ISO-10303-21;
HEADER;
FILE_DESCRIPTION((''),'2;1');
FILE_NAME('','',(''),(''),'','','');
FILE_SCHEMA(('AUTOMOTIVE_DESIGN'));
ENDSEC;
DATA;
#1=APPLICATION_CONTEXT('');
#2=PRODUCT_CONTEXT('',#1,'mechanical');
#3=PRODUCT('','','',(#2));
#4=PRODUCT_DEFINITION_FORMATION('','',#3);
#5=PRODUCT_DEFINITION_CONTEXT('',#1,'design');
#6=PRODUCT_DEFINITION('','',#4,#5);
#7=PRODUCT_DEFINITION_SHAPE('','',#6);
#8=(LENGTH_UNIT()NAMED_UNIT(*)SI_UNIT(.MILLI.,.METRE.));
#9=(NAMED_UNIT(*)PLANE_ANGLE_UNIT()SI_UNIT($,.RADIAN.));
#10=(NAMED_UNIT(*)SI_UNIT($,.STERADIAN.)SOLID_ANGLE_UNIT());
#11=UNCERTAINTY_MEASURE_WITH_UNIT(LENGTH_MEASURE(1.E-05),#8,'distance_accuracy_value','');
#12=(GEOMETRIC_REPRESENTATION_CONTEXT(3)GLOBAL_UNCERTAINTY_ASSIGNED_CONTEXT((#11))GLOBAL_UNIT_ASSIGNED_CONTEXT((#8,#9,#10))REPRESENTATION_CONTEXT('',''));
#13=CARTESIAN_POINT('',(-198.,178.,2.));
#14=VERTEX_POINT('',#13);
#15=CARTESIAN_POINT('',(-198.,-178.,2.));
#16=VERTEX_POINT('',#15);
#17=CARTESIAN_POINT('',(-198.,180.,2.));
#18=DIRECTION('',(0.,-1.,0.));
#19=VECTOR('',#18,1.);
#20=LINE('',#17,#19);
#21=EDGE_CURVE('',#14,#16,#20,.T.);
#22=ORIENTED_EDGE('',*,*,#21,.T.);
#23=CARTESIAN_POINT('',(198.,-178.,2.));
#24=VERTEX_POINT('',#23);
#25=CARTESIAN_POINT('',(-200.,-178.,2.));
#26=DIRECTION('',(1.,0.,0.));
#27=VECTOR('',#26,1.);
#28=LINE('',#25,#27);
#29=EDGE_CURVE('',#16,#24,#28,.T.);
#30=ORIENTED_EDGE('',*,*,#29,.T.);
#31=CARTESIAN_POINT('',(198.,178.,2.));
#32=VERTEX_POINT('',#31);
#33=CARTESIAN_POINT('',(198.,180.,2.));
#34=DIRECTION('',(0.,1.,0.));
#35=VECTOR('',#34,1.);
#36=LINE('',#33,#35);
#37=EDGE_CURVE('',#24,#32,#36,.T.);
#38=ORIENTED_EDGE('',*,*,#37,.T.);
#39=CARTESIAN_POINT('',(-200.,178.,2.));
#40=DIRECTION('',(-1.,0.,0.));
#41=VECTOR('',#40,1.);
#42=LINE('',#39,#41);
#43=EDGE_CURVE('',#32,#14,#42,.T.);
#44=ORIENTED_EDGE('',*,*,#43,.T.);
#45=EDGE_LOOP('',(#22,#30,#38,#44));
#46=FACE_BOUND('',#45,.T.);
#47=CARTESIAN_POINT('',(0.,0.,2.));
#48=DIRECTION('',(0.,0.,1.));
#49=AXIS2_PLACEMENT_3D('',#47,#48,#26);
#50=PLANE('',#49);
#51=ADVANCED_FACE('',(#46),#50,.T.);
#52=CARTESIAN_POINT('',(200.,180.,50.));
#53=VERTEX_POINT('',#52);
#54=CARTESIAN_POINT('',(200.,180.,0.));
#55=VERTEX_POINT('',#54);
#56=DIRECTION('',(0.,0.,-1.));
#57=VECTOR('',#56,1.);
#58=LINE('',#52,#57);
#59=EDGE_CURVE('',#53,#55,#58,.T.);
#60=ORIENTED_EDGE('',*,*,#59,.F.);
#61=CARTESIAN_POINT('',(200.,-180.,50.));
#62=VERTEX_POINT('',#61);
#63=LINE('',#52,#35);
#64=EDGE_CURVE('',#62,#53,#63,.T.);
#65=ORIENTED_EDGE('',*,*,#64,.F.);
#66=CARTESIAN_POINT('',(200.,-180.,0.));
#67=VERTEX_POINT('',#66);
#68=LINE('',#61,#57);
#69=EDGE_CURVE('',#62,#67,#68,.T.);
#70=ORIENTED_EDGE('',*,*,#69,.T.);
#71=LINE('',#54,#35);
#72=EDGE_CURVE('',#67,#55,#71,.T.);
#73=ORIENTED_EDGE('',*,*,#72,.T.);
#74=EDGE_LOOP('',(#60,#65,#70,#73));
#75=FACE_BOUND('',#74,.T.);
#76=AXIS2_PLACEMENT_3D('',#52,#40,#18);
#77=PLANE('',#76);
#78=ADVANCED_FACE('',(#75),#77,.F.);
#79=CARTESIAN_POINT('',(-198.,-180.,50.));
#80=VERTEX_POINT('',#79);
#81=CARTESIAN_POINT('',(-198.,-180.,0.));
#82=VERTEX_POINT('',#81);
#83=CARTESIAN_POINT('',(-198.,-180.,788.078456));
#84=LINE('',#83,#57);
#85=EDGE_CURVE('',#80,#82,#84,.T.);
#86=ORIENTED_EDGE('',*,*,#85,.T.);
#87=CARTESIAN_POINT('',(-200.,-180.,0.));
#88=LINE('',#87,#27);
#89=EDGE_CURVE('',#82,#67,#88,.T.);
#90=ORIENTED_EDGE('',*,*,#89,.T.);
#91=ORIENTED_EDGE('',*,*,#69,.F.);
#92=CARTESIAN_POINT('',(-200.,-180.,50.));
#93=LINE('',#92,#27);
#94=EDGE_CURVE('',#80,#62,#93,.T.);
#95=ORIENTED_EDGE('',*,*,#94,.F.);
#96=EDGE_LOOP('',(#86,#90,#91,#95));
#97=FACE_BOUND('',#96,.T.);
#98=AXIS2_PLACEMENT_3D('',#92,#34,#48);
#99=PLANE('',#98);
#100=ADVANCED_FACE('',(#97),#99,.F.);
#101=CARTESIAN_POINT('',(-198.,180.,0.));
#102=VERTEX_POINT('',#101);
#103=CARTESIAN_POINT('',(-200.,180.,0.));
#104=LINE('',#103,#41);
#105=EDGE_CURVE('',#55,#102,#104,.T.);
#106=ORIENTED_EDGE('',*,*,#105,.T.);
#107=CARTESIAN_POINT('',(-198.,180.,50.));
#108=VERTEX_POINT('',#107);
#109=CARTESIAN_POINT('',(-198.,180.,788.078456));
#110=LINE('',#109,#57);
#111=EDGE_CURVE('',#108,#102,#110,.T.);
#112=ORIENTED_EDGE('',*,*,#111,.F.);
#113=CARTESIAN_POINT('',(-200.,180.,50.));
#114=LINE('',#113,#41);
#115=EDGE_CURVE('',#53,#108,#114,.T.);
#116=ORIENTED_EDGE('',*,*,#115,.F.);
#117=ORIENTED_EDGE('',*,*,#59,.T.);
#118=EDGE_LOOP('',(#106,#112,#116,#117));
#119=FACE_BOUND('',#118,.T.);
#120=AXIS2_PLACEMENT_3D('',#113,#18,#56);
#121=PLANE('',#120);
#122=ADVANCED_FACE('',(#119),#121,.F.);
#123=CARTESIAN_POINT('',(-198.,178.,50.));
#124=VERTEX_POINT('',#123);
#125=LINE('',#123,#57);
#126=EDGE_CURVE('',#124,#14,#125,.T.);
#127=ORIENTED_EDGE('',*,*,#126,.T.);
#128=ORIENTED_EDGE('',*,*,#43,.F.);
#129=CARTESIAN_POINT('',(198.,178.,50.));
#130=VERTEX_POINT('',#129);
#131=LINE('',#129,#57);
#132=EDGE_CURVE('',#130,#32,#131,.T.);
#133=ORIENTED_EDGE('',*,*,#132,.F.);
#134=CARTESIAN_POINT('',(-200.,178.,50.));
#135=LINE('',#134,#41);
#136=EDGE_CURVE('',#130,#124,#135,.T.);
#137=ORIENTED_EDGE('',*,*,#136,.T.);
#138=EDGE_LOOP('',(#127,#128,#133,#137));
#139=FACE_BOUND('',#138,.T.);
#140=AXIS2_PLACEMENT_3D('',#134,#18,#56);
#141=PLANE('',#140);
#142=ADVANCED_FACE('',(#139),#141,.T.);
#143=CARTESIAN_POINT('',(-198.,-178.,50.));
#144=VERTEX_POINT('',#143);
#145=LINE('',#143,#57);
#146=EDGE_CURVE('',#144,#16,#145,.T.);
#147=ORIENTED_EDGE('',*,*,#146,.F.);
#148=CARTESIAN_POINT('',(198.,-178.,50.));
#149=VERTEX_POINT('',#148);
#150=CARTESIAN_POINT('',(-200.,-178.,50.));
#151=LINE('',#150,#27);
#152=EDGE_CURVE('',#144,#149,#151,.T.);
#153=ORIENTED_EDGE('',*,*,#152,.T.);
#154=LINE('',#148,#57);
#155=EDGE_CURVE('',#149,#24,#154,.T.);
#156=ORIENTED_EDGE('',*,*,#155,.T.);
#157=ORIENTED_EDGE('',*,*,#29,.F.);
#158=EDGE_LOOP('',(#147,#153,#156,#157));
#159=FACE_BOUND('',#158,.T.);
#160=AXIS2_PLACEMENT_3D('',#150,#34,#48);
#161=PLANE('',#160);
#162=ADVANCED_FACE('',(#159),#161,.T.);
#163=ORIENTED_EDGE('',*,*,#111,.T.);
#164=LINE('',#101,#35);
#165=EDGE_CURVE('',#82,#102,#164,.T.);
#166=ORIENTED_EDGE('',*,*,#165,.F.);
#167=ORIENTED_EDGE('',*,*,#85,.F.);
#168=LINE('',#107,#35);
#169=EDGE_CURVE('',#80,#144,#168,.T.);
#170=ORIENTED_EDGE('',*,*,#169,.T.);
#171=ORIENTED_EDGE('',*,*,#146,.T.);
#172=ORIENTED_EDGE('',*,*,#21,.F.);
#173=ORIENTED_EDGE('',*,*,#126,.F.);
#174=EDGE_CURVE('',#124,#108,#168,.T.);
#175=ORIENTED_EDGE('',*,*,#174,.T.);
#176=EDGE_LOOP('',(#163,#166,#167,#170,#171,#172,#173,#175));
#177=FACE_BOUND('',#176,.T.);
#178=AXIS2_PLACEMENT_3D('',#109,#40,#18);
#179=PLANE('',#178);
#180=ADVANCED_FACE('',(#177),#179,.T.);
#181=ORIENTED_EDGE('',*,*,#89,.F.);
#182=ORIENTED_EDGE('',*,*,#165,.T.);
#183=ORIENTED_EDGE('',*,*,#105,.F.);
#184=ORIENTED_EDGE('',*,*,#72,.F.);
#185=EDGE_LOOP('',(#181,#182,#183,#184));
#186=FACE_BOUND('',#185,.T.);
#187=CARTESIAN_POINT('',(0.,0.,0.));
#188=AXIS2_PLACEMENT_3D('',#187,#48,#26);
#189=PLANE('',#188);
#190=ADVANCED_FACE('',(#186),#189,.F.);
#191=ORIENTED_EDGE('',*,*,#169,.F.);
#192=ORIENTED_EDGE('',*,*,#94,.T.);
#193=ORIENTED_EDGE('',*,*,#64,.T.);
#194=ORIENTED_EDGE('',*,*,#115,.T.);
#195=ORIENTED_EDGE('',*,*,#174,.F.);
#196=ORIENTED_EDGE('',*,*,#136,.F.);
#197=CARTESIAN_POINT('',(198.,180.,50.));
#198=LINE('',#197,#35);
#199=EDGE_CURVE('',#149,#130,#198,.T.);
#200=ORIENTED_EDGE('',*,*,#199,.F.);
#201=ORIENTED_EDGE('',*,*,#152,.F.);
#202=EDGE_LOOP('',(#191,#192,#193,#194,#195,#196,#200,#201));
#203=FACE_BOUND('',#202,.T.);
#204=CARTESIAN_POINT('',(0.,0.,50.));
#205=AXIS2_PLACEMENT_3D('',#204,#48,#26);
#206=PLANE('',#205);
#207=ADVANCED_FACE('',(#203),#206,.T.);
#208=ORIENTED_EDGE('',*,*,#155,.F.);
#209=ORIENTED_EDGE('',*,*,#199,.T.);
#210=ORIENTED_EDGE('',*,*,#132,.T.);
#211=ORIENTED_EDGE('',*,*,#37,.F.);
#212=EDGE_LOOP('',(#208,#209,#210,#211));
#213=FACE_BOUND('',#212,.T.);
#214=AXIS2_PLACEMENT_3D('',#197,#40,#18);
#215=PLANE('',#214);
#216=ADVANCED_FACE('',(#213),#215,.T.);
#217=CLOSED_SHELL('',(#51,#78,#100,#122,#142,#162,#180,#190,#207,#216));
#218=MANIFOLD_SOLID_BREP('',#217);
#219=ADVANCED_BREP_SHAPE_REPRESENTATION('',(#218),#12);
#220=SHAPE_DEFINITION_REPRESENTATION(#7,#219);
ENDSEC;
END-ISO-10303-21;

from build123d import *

# Parameters (mm, degrees)
ESQUISSE1_W                  = 400
ESQUISSE1_H                  = 360
BOSS_EXTRU_1_DEPTH           = 50
COQUE1_T                     = -2
ENL_V_MAT_EXTRU_2_DEPTH      = 274.678643668
ENL_V_MAT_EXTRU_2_DEPTH_BACK = 50


with BuildPart() as part:
    # Esquisse1 → Boss.-Extru.1 (new body)
    with BuildSketch(Plane.XY):
        Rectangle(ESQUISSE1_W, ESQUISSE1_H)
    extrude(amount=BOSS_EXTRU_1_DEPTH)

    # Coque1
    coque1_openings = [part.faces().sort_by_distance(p)[0] for p in [
        (0, 0, 50),
    ]]
    offset(amount=COQUE1_T, openings=coque1_openings, kind=Kind.INTERSECTION)

    # Esquisse2 → Enlèv. mat.-Extru.2 (cut, two sides: drawn at the far end of the back side and taken through both)
    with BuildSketch(Plane.XY.offset(50).offset(-ENL_V_MAT_EXTRU_2_DEPTH_BACK)):
        Polygon((909.035446725, -180), (-177.254477041, -180), (-198, -180), (-198, 180), (-200, 180), (-200, -180), (-200, -1266.289923766), (1320.247473242, -2818.369436549), (2429.282919967, -1732.079512783), align=None)
    extrude(amount=ENL_V_MAT_EXTRU_2_DEPTH + ENL_V_MAT_EXTRU_2_DEPTH_BACK, mode=Mode.SUBTRACT)


solid = part.part
